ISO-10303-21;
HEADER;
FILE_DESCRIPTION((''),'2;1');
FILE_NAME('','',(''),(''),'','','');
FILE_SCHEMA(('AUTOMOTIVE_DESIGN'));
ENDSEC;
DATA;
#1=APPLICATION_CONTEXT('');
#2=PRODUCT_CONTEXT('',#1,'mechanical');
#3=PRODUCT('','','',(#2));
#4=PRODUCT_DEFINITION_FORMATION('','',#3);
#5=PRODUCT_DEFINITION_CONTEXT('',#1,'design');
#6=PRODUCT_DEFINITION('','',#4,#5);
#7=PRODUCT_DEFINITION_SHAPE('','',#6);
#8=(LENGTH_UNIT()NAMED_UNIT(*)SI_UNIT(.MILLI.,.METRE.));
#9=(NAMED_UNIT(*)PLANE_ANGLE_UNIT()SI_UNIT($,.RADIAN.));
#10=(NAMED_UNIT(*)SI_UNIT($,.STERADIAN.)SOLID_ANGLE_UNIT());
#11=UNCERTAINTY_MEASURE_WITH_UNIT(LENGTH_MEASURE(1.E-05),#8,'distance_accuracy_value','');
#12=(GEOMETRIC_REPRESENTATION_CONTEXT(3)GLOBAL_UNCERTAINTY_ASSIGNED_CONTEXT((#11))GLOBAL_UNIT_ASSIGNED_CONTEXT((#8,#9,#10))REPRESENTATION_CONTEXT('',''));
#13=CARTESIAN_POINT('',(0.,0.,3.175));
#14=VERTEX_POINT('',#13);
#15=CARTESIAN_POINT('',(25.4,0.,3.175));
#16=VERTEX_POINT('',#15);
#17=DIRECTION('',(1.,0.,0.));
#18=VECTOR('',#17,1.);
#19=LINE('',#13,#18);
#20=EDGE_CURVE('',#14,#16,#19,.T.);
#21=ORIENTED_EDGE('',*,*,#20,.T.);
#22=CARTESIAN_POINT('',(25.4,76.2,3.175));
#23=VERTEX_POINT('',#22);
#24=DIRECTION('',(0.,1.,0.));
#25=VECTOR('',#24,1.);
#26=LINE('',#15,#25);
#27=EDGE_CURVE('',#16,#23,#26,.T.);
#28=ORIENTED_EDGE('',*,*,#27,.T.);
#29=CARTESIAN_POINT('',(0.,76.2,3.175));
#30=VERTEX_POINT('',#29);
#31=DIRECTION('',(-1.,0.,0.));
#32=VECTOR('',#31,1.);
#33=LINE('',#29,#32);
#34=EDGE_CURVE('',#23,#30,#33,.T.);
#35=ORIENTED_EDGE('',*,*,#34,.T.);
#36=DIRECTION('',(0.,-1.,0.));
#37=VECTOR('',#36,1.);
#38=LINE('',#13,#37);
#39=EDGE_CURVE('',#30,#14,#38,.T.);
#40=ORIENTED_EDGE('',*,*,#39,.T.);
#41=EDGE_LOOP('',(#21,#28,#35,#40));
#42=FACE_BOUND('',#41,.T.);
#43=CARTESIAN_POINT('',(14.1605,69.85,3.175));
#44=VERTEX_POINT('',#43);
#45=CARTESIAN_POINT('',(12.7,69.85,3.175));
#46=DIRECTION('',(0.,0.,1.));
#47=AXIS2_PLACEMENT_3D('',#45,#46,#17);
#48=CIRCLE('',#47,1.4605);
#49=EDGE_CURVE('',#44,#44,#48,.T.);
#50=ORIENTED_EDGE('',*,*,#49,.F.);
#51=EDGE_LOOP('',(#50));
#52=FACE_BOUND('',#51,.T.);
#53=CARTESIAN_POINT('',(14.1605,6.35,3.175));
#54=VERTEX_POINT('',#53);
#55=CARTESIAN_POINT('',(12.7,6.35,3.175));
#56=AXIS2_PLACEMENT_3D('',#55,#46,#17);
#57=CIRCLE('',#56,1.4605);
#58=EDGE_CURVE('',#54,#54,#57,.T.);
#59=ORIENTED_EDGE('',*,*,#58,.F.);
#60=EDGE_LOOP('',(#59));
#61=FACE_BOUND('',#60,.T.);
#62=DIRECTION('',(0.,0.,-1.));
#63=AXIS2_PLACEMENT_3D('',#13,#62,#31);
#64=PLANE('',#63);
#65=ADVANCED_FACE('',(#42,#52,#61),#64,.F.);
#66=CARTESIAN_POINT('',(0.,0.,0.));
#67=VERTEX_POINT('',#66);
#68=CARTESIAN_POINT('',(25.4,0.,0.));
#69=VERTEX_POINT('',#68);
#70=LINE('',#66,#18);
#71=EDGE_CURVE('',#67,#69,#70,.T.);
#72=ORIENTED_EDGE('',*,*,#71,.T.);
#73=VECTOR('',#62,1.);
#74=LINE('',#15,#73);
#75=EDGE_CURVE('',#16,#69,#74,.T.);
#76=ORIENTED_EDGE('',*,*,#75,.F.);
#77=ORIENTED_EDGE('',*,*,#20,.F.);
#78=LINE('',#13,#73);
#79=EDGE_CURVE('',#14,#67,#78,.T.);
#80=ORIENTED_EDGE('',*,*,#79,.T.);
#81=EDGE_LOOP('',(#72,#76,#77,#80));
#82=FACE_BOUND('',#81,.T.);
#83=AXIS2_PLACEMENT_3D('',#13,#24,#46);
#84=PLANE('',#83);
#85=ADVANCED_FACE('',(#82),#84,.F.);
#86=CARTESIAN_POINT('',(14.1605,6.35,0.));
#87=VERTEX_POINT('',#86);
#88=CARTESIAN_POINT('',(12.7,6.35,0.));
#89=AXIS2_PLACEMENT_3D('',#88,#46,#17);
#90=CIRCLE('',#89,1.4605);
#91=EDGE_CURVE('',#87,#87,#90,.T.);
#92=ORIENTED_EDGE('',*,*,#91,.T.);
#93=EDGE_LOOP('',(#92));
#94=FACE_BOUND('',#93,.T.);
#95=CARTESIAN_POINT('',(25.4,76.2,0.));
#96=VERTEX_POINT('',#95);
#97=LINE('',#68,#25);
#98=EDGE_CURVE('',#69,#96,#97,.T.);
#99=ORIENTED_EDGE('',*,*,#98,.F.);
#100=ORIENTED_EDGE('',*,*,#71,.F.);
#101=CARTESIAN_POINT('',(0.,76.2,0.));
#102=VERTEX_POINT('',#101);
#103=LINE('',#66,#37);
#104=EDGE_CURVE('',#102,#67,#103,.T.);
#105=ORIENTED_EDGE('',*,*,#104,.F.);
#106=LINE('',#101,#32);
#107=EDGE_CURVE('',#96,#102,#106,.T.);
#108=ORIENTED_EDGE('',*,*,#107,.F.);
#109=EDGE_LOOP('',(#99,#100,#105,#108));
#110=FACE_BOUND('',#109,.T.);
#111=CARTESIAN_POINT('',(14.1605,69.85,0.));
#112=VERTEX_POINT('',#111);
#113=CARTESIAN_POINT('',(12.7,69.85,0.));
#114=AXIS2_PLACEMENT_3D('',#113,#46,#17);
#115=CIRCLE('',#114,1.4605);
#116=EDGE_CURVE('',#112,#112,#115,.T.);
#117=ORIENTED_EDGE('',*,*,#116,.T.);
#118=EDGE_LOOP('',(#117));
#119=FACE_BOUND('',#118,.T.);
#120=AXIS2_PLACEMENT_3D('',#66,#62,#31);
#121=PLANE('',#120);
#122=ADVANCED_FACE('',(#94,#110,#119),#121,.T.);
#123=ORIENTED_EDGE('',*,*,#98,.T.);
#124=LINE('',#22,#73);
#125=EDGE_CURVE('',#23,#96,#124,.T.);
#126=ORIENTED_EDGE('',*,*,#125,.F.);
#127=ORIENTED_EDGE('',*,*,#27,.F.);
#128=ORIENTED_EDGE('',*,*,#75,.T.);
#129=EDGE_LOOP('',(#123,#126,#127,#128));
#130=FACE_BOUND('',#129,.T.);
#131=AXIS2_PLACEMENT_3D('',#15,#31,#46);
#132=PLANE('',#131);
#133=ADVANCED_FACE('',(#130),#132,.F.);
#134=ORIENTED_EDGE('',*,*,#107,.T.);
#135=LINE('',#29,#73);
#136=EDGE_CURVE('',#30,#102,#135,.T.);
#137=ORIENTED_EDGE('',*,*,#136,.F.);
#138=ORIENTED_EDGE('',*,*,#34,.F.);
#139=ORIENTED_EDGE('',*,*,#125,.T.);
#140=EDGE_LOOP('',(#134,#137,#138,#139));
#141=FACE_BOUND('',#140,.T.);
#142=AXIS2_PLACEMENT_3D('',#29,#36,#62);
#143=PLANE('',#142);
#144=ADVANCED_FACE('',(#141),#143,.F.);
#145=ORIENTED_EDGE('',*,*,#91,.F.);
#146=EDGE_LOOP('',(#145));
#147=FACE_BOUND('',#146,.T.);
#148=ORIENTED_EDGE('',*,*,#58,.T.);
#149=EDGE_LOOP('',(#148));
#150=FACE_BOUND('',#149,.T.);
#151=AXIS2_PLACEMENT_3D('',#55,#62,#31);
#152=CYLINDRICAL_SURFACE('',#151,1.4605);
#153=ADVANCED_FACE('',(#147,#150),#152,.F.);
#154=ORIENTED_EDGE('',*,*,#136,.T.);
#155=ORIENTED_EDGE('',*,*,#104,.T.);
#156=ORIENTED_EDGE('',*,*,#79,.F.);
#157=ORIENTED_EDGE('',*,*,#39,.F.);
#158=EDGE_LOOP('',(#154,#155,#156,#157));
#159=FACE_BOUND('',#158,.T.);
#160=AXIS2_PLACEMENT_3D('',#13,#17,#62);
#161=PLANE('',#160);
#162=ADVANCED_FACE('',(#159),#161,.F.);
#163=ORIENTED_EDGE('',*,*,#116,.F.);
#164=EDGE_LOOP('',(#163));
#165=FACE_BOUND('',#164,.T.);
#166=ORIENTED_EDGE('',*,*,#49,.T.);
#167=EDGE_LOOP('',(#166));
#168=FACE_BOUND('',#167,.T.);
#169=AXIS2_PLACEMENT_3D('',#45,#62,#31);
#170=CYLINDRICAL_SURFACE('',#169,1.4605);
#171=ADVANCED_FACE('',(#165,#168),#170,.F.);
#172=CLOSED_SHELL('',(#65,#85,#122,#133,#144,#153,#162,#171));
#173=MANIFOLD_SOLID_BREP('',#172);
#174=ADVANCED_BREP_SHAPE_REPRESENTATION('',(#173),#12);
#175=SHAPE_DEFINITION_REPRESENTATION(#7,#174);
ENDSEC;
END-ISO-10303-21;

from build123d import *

# Parameters (mm, degrees)
SKETCH2_W           = 25.4
SKETCH2_H           = 76.2
SKETCH2_R           = 1.4605
BOSS_EXTRUDE1_DEPTH = 3.175


with BuildPart() as part:
    # Sketch2 → Boss-Extrude1 (new body)
    with BuildSketch(Plane.XY):
        with Locations((12.7, 38.1)):
            Rectangle(SKETCH2_W, SKETCH2_H)
        with Locations((12.7, 69.85)):
            Circle(SKETCH2_R, mode=Mode.SUBTRACT)
        with Locations((12.7, 6.35)):
            Circle(SKETCH2_R, mode=Mode.SUBTRACT)
    extrude(amount=BOSS_EXTRUDE1_DEPTH)


solid = part.part
